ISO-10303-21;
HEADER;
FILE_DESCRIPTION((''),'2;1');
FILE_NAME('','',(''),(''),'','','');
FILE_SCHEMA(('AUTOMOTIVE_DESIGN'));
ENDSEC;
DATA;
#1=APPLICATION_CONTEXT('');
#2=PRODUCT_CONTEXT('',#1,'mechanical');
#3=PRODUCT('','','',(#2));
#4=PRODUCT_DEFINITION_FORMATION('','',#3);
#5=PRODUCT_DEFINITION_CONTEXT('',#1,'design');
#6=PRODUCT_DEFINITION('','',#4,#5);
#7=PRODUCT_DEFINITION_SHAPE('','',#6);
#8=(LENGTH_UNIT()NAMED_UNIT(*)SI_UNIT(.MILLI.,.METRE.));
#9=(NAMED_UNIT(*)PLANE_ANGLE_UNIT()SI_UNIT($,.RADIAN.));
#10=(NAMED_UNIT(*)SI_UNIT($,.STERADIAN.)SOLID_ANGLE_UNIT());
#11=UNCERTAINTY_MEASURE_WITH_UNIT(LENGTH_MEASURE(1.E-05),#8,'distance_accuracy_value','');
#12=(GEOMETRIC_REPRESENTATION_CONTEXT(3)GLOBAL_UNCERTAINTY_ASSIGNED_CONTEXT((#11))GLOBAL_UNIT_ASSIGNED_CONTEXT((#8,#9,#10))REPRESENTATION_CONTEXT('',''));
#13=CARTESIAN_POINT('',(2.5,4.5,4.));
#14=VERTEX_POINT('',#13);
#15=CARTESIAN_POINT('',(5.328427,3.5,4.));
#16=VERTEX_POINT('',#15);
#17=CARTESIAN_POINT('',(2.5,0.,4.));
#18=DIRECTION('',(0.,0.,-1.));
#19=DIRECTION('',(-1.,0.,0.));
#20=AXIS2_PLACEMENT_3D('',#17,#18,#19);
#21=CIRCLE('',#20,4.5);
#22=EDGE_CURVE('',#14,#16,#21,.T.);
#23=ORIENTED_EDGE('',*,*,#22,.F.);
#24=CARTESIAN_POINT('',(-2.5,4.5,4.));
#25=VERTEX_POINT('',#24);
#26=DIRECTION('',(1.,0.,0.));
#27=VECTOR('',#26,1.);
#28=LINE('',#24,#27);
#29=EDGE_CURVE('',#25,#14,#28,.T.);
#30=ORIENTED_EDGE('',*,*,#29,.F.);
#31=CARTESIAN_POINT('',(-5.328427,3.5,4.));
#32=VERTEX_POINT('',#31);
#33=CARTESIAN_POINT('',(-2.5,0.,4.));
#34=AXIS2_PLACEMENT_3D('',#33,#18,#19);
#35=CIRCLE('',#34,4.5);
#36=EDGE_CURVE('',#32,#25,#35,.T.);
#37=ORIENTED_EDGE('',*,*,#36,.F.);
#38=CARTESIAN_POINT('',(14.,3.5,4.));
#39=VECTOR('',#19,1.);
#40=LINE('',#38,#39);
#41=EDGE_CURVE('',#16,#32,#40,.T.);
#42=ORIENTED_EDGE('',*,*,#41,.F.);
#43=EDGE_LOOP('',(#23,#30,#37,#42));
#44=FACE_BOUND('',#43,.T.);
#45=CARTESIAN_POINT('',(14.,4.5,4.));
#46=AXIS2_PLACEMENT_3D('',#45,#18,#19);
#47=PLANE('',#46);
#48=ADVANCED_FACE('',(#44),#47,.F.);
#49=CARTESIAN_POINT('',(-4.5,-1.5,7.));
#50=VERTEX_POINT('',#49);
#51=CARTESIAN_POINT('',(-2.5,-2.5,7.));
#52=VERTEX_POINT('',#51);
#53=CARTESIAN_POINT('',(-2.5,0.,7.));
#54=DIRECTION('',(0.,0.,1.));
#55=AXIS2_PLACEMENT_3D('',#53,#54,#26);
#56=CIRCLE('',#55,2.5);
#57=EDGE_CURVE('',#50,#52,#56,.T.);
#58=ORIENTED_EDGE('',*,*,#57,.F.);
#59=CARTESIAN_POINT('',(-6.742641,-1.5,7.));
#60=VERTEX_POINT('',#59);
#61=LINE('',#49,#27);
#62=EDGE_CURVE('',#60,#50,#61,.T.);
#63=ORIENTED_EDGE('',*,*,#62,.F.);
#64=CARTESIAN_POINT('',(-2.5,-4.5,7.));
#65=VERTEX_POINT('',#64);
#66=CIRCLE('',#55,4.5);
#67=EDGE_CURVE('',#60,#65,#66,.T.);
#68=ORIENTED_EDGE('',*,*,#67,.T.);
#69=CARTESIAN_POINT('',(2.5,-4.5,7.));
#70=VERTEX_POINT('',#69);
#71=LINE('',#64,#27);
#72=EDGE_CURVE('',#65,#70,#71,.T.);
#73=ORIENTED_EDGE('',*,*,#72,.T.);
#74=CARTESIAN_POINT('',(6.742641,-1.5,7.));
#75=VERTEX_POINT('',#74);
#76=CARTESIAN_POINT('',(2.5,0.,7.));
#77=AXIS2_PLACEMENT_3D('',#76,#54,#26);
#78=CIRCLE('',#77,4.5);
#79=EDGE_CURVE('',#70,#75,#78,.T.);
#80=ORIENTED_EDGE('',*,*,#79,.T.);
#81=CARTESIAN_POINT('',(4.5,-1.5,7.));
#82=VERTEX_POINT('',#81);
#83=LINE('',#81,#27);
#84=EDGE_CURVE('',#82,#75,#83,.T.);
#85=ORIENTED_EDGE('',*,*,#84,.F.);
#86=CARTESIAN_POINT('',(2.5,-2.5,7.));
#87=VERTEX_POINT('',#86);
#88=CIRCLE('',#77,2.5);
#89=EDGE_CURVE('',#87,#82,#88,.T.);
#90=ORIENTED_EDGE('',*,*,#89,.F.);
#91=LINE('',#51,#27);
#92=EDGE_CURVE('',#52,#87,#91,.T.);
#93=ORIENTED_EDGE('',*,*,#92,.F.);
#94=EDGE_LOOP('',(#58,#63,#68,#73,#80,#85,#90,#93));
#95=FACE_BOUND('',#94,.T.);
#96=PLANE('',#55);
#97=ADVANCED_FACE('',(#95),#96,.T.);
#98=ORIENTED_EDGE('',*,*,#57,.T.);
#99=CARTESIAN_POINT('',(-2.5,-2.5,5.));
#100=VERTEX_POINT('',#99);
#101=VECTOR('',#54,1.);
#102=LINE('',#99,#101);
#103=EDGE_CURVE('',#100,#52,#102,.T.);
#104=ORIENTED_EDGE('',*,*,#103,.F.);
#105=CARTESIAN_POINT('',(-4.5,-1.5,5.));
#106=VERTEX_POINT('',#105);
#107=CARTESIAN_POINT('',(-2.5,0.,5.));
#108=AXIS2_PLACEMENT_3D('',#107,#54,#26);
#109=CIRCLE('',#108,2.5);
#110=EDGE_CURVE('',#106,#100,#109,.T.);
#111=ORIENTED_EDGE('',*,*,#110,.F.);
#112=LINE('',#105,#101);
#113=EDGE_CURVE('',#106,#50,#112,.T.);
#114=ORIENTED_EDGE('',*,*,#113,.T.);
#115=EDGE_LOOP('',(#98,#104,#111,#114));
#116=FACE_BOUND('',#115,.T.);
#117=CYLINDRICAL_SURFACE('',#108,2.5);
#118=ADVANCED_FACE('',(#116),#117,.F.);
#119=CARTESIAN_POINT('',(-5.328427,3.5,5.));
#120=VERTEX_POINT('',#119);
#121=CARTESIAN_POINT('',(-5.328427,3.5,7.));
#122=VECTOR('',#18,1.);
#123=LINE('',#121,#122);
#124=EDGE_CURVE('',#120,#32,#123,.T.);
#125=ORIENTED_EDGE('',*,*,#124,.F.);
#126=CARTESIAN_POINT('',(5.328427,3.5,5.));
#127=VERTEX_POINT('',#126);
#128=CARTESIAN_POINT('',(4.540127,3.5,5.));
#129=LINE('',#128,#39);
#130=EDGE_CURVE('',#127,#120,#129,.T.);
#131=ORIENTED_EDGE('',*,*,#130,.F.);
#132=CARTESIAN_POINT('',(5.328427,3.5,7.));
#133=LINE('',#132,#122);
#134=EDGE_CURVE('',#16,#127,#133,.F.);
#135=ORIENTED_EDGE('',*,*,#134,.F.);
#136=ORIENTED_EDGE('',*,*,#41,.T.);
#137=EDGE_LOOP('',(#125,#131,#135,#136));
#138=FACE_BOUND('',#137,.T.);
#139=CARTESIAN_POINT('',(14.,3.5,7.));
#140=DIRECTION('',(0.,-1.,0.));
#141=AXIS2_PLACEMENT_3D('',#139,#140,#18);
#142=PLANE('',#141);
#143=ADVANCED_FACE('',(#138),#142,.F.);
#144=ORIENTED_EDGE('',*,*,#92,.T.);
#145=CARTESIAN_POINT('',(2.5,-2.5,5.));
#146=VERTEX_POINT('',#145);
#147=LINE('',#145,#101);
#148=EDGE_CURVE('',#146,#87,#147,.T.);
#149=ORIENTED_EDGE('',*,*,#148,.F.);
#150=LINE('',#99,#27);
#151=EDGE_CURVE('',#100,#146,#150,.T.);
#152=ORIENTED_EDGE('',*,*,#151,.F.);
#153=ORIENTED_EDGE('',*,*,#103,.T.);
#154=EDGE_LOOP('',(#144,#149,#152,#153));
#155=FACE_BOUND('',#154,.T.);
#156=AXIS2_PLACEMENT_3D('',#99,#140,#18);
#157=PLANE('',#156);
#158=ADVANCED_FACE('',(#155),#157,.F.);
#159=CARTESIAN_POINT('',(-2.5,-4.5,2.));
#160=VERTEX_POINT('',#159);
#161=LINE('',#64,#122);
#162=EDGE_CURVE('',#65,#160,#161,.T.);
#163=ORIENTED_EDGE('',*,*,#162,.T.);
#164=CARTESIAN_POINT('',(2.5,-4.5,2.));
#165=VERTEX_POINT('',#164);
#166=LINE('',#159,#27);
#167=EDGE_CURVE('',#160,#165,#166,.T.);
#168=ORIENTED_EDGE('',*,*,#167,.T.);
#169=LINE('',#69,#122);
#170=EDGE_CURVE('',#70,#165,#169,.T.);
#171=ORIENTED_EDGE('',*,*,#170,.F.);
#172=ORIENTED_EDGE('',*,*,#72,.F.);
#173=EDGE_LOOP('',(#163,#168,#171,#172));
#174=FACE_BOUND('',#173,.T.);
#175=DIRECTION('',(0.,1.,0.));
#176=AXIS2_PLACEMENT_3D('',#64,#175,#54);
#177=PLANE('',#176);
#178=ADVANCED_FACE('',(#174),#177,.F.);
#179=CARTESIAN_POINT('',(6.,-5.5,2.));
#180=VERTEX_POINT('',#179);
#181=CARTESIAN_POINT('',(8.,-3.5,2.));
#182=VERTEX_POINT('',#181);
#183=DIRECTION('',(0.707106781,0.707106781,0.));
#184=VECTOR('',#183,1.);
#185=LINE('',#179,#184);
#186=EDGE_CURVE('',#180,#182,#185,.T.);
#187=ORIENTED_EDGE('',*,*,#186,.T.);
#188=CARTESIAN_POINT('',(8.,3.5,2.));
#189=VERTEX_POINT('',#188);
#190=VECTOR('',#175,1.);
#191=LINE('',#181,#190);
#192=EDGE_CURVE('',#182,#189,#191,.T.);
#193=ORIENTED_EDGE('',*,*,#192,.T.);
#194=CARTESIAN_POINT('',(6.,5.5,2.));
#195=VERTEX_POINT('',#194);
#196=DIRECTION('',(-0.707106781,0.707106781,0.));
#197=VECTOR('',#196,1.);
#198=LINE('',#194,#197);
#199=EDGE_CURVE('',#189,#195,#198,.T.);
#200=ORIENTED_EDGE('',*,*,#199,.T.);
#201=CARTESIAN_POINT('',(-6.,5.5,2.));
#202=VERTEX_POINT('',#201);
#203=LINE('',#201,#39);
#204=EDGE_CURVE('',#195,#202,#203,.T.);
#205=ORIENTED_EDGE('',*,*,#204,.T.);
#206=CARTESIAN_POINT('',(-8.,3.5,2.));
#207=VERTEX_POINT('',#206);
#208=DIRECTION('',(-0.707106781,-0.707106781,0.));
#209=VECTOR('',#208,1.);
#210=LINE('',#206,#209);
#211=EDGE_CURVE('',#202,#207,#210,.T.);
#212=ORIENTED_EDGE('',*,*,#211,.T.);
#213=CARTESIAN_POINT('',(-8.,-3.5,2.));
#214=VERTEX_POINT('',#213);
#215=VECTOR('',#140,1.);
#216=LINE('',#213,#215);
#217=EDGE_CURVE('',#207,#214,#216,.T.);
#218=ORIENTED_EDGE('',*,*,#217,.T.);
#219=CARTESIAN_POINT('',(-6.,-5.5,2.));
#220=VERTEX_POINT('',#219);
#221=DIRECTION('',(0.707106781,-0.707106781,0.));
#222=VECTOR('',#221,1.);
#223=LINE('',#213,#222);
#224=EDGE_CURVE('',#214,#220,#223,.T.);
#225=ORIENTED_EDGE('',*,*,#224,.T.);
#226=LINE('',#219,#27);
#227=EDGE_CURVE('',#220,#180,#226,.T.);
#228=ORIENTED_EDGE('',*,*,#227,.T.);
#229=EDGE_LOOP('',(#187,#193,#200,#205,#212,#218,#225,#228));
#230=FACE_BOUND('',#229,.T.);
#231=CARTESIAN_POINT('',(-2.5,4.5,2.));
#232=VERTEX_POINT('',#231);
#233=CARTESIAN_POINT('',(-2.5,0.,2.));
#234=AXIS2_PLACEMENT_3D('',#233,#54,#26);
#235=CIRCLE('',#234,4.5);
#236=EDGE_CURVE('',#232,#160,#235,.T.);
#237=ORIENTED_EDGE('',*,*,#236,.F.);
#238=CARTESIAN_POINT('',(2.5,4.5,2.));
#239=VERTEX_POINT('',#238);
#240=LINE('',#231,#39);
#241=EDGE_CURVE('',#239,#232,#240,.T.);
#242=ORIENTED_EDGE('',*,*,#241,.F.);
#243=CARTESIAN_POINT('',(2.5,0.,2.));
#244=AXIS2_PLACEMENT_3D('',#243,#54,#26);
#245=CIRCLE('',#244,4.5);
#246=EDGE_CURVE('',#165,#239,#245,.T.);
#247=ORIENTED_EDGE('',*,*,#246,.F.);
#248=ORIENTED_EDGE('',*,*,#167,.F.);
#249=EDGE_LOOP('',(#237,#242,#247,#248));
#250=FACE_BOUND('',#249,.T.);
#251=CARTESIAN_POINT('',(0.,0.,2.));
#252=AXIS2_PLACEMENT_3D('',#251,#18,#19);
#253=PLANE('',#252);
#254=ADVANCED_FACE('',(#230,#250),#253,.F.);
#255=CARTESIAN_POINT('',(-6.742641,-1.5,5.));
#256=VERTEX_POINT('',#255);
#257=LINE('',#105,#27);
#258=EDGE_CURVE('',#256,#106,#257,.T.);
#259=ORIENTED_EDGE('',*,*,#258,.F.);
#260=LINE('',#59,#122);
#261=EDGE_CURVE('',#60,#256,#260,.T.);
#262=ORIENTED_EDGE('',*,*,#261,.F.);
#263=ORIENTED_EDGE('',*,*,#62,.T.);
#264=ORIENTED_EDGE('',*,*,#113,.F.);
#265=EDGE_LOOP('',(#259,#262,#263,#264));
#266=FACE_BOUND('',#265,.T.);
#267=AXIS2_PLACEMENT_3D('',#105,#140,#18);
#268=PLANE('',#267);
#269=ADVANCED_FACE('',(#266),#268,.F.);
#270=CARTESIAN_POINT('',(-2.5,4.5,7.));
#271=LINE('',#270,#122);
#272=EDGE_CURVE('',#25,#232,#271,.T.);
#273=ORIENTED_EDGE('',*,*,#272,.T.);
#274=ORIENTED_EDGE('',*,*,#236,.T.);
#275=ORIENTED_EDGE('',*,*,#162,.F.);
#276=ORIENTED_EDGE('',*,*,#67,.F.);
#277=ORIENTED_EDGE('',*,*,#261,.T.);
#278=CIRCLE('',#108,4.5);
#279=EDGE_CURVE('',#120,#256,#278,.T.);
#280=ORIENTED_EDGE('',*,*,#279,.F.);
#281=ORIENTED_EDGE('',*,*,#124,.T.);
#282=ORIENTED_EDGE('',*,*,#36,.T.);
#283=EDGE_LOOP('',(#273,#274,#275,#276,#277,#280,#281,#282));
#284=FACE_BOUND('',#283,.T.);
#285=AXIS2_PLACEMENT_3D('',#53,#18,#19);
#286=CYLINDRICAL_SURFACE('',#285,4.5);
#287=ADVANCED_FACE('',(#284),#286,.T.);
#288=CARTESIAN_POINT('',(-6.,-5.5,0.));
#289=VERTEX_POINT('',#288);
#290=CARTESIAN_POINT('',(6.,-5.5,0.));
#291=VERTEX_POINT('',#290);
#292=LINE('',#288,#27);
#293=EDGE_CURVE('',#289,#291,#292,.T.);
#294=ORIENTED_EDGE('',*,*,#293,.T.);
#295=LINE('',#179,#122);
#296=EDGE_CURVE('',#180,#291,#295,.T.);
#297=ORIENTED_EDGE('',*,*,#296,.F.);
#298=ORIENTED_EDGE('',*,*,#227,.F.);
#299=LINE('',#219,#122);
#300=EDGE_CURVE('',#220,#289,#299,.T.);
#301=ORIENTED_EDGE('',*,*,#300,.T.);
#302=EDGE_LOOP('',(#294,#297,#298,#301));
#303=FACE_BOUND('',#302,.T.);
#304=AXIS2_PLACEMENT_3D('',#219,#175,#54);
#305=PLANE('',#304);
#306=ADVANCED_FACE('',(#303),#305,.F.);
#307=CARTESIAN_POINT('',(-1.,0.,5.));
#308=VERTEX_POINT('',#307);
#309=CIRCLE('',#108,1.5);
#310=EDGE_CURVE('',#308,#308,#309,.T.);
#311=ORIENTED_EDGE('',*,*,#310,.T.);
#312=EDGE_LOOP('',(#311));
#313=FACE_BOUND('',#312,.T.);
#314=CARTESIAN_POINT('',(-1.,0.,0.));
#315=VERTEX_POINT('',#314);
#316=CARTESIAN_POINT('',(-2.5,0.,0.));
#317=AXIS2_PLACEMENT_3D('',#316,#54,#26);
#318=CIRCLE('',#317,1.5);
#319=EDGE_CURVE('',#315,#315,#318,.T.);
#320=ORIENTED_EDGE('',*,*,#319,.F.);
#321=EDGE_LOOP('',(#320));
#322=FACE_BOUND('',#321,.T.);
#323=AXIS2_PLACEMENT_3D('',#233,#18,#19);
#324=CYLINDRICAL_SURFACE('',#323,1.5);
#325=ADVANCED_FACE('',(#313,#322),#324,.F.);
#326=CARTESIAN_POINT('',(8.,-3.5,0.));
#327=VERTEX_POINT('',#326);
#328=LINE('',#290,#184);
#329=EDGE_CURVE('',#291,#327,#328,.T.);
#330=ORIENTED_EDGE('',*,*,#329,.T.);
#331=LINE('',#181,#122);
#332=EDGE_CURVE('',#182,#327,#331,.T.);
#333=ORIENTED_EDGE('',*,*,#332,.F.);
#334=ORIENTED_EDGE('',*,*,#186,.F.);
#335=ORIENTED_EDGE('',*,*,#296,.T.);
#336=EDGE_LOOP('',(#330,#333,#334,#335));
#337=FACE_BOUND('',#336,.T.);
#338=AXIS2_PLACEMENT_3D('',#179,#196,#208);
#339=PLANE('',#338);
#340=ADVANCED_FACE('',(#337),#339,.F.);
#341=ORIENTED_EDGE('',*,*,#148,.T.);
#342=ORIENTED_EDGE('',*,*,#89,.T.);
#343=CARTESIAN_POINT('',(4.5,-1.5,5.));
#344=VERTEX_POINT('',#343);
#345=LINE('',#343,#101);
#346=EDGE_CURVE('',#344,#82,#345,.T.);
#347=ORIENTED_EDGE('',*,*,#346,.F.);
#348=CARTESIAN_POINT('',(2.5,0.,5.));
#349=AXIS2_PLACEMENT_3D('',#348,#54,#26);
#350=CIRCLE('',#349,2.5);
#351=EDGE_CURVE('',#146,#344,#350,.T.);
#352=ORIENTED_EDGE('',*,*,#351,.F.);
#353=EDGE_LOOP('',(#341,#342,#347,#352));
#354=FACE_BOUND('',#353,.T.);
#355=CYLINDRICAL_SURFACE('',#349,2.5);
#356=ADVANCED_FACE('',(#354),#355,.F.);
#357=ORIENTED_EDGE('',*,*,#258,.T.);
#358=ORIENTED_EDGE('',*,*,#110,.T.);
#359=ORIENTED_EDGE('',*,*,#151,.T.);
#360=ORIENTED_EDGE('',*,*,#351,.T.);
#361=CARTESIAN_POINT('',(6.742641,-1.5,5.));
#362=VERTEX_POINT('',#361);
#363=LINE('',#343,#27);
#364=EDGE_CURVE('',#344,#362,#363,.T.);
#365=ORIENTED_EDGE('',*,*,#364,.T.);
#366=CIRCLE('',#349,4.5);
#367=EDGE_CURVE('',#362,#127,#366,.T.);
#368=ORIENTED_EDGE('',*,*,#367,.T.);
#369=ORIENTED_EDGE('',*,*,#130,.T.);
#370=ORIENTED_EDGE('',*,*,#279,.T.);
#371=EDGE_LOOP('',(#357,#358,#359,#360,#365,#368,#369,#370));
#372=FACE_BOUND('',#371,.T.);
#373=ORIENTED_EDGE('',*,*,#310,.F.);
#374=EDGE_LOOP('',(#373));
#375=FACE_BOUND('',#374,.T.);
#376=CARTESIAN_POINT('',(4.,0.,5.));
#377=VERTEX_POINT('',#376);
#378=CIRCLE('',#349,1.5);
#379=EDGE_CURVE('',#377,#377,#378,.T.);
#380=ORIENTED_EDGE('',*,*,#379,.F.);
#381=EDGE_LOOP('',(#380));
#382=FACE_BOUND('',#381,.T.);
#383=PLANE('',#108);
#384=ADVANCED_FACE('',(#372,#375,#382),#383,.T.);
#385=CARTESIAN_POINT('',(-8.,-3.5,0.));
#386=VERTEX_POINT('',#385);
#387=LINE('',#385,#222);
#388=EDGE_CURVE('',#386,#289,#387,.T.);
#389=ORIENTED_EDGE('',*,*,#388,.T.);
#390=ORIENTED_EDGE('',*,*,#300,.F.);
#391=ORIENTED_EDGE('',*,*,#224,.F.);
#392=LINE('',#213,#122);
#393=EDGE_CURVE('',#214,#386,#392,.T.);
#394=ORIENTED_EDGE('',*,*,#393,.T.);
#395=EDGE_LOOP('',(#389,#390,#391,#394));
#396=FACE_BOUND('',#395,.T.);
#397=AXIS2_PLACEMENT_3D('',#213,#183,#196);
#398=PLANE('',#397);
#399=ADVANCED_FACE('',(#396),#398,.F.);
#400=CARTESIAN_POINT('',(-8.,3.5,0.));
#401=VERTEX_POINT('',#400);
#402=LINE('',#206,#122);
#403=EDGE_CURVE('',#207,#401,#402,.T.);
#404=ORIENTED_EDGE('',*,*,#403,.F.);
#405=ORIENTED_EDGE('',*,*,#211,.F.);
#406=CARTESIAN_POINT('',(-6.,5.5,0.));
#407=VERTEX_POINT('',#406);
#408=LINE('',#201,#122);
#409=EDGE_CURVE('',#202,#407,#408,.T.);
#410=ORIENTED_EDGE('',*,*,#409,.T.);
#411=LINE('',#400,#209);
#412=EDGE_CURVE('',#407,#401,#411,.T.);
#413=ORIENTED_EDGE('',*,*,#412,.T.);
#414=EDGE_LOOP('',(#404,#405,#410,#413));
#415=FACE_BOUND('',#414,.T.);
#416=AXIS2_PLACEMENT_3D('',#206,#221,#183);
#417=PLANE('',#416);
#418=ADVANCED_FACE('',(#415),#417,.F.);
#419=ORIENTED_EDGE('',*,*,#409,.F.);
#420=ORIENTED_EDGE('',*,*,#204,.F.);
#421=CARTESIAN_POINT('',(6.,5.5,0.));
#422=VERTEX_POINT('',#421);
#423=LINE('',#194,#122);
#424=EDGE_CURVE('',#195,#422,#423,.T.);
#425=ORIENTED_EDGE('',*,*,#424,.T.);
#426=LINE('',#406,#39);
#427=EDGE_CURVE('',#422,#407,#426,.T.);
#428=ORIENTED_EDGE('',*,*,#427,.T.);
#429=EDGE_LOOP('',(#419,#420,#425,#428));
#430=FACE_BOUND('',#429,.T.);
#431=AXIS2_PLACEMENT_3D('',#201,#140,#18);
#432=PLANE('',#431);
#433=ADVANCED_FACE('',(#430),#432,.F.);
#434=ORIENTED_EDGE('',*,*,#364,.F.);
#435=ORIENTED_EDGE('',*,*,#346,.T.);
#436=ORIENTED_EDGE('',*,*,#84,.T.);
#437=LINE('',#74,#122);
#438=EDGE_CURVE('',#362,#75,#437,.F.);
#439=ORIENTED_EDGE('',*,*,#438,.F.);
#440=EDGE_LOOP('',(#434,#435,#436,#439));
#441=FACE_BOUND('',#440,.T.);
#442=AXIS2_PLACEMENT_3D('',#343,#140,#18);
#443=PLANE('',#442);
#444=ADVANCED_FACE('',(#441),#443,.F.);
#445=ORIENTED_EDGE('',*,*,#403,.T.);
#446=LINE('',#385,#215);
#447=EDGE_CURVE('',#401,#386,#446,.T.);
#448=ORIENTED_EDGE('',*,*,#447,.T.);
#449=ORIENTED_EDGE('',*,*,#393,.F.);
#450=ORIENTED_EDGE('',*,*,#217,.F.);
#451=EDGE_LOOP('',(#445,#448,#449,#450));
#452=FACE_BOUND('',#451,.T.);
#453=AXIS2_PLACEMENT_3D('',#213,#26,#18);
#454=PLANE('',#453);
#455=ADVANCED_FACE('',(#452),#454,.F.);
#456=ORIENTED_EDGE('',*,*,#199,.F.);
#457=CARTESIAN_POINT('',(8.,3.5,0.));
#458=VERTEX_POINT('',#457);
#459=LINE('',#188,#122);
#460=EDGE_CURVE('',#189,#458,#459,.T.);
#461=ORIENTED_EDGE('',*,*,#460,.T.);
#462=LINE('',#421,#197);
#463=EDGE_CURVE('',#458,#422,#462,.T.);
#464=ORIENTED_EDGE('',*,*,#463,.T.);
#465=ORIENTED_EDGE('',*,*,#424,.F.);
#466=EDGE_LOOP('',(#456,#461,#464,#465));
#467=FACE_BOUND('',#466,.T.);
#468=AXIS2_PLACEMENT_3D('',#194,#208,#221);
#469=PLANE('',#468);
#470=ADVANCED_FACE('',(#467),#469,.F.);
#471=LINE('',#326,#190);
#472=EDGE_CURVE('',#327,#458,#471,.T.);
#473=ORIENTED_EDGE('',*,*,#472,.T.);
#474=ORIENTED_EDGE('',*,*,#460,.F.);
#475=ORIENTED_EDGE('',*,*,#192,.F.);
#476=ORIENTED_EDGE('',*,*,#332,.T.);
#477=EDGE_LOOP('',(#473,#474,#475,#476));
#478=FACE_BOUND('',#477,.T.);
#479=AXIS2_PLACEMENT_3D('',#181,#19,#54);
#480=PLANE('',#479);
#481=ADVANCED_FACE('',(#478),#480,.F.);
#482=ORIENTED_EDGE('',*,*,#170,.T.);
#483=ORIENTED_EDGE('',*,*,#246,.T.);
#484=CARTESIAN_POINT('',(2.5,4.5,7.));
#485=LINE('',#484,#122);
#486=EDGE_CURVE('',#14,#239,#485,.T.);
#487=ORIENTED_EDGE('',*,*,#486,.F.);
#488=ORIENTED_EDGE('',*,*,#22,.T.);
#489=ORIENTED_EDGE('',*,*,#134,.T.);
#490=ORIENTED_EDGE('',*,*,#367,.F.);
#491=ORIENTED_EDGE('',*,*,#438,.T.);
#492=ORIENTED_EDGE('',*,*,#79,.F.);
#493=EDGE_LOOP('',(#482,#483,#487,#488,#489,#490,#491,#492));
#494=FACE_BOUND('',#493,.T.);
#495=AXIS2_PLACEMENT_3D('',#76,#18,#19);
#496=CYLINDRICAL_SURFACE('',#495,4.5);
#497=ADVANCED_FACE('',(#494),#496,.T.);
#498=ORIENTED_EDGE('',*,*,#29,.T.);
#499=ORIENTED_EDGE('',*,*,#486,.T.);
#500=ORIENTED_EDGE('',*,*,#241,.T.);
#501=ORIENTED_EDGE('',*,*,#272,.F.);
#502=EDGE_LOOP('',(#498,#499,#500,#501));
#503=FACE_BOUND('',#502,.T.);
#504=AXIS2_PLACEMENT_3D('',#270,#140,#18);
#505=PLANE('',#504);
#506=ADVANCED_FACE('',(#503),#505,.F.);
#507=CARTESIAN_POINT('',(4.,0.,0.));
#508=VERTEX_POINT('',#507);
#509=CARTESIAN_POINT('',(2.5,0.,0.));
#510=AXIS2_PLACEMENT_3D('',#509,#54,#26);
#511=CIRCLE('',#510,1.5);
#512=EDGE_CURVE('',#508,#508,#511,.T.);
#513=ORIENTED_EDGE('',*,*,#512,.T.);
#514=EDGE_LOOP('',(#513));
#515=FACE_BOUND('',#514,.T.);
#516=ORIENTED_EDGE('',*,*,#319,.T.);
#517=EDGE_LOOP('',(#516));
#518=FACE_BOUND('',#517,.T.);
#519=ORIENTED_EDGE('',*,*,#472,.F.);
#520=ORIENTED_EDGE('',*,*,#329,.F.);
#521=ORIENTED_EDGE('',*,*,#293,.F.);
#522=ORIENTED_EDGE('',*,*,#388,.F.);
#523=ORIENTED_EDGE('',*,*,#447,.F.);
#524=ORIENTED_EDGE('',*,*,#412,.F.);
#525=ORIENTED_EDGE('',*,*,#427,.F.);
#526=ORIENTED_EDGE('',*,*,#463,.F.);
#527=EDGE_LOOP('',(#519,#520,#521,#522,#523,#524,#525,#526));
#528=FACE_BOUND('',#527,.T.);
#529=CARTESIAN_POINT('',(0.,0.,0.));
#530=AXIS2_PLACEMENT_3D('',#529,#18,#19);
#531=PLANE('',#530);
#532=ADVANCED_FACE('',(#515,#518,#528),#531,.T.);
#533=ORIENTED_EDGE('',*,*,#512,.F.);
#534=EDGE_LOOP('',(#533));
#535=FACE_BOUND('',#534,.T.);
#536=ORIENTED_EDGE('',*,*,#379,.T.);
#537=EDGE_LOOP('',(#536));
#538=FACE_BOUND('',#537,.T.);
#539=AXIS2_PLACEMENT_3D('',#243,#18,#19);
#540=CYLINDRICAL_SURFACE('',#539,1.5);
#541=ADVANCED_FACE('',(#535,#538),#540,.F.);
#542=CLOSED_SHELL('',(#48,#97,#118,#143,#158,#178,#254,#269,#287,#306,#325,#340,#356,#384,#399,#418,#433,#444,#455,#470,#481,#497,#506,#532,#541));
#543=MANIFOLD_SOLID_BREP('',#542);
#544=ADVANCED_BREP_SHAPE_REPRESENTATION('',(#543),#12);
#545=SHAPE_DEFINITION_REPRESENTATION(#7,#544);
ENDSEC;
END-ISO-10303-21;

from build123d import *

# Parameters (mm, degrees)
SKETCH1_R           = 1.5
BOSS_EXTRUDE1_DEPTH = 2
SKETCH2_R           = 1.5
BOSS_EXTRUDE2_DEPTH = 5
CUT_EXTRUDE1_DEPTH  = 2
SKETCH5_W           = 3
SKETCH5_H           = 1
CUT_EXTRUDE2_DEPTH  = 22


with BuildPart() as part:
    # Sketch1 → Boss-Extrude1 (new body)
    with BuildSketch(Plane.XY):
        Polygon((-8, 3.5), (-6, 5.5), (6, 5.5), (8, 3.5), (8, -3.5), (6, -5.5), (-6, -5.5), (-8, -3.5), align=None)
        with Locations((-2.5, 0)):
            Circle(SKETCH1_R, mode=Mode.SUBTRACT)
        with Locations((2.5, 0)):
            Circle(SKETCH1_R, mode=Mode.SUBTRACT)
    extrude(amount=BOSS_EXTRUDE1_DEPTH)

    # Sketch2 → Boss-Extrude2 (add)
    with BuildSketch(Plane.XY.offset(2)):
        with BuildLine():
            Line((-2.5, 4.5), (2.5, 4.5))
            ThreePointArc((2.5, 4.5), (7, 0), (2.5, -4.5))
            Line((2.5, -4.5), (-2.5, -4.5))
            ThreePointArc((-2.5, -4.5), (-7, 0), (-2.5, 4.5))
        make_face()
        with Locations((-2.5, 0)):
            Circle(SKETCH2_R, mode=Mode.SUBTRACT)
        with Locations((2.5, 0)):
            Circle(SKETCH2_R, mode=Mode.SUBTRACT)
    extrude(amount=BOSS_EXTRUDE2_DEPTH)

    # Sketch4 → Cut-Extrude1 (cut)
    with BuildSketch(Plane.XY.offset(7)):
        with BuildLine():
            Line((-2.5, -2.5), (2.5, -2.5))
            ThreePointArc((2.5, -2.5), (3.618033989, -2.236067977), (4.5, -1.5))
            Line((4.5, -1.5), (7.291771179, -1.5))
            Line((7.291771179, -1.5), (6.980260776, 3.5))
            Line((6.980260776, 3.5), (4.540127242, 3.5))
            Line((4.540127242, 3.5), (-4.895055756, 3.5))
            Line((-4.895055756, 3.5), (-6.610543574, 3.5))
            Line((-6.610543574, 3.5), (-7.482128219, -1.5))
            Line((-7.482128219, -1.5), (-4.5, -1.5))
            ThreePointArc((-4.5, -1.5), (-3.618033989, -2.236067977), (-2.5, -2.5))
        make_face()
    extrude(amount=-CUT_EXTRUDE1_DEPTH, mode=Mode.SUBTRACT)

    # Sketch5 → Cut-Extrude2 (cut)
    with BuildSketch(Plane.ZY.offset(8)):
        with Locations((5.5, 4)):
            Rectangle(SKETCH5_W, SKETCH5_H)
    extrude(amount=-CUT_EXTRUDE2_DEPTH, mode=Mode.SUBTRACT)


solid = part.part
